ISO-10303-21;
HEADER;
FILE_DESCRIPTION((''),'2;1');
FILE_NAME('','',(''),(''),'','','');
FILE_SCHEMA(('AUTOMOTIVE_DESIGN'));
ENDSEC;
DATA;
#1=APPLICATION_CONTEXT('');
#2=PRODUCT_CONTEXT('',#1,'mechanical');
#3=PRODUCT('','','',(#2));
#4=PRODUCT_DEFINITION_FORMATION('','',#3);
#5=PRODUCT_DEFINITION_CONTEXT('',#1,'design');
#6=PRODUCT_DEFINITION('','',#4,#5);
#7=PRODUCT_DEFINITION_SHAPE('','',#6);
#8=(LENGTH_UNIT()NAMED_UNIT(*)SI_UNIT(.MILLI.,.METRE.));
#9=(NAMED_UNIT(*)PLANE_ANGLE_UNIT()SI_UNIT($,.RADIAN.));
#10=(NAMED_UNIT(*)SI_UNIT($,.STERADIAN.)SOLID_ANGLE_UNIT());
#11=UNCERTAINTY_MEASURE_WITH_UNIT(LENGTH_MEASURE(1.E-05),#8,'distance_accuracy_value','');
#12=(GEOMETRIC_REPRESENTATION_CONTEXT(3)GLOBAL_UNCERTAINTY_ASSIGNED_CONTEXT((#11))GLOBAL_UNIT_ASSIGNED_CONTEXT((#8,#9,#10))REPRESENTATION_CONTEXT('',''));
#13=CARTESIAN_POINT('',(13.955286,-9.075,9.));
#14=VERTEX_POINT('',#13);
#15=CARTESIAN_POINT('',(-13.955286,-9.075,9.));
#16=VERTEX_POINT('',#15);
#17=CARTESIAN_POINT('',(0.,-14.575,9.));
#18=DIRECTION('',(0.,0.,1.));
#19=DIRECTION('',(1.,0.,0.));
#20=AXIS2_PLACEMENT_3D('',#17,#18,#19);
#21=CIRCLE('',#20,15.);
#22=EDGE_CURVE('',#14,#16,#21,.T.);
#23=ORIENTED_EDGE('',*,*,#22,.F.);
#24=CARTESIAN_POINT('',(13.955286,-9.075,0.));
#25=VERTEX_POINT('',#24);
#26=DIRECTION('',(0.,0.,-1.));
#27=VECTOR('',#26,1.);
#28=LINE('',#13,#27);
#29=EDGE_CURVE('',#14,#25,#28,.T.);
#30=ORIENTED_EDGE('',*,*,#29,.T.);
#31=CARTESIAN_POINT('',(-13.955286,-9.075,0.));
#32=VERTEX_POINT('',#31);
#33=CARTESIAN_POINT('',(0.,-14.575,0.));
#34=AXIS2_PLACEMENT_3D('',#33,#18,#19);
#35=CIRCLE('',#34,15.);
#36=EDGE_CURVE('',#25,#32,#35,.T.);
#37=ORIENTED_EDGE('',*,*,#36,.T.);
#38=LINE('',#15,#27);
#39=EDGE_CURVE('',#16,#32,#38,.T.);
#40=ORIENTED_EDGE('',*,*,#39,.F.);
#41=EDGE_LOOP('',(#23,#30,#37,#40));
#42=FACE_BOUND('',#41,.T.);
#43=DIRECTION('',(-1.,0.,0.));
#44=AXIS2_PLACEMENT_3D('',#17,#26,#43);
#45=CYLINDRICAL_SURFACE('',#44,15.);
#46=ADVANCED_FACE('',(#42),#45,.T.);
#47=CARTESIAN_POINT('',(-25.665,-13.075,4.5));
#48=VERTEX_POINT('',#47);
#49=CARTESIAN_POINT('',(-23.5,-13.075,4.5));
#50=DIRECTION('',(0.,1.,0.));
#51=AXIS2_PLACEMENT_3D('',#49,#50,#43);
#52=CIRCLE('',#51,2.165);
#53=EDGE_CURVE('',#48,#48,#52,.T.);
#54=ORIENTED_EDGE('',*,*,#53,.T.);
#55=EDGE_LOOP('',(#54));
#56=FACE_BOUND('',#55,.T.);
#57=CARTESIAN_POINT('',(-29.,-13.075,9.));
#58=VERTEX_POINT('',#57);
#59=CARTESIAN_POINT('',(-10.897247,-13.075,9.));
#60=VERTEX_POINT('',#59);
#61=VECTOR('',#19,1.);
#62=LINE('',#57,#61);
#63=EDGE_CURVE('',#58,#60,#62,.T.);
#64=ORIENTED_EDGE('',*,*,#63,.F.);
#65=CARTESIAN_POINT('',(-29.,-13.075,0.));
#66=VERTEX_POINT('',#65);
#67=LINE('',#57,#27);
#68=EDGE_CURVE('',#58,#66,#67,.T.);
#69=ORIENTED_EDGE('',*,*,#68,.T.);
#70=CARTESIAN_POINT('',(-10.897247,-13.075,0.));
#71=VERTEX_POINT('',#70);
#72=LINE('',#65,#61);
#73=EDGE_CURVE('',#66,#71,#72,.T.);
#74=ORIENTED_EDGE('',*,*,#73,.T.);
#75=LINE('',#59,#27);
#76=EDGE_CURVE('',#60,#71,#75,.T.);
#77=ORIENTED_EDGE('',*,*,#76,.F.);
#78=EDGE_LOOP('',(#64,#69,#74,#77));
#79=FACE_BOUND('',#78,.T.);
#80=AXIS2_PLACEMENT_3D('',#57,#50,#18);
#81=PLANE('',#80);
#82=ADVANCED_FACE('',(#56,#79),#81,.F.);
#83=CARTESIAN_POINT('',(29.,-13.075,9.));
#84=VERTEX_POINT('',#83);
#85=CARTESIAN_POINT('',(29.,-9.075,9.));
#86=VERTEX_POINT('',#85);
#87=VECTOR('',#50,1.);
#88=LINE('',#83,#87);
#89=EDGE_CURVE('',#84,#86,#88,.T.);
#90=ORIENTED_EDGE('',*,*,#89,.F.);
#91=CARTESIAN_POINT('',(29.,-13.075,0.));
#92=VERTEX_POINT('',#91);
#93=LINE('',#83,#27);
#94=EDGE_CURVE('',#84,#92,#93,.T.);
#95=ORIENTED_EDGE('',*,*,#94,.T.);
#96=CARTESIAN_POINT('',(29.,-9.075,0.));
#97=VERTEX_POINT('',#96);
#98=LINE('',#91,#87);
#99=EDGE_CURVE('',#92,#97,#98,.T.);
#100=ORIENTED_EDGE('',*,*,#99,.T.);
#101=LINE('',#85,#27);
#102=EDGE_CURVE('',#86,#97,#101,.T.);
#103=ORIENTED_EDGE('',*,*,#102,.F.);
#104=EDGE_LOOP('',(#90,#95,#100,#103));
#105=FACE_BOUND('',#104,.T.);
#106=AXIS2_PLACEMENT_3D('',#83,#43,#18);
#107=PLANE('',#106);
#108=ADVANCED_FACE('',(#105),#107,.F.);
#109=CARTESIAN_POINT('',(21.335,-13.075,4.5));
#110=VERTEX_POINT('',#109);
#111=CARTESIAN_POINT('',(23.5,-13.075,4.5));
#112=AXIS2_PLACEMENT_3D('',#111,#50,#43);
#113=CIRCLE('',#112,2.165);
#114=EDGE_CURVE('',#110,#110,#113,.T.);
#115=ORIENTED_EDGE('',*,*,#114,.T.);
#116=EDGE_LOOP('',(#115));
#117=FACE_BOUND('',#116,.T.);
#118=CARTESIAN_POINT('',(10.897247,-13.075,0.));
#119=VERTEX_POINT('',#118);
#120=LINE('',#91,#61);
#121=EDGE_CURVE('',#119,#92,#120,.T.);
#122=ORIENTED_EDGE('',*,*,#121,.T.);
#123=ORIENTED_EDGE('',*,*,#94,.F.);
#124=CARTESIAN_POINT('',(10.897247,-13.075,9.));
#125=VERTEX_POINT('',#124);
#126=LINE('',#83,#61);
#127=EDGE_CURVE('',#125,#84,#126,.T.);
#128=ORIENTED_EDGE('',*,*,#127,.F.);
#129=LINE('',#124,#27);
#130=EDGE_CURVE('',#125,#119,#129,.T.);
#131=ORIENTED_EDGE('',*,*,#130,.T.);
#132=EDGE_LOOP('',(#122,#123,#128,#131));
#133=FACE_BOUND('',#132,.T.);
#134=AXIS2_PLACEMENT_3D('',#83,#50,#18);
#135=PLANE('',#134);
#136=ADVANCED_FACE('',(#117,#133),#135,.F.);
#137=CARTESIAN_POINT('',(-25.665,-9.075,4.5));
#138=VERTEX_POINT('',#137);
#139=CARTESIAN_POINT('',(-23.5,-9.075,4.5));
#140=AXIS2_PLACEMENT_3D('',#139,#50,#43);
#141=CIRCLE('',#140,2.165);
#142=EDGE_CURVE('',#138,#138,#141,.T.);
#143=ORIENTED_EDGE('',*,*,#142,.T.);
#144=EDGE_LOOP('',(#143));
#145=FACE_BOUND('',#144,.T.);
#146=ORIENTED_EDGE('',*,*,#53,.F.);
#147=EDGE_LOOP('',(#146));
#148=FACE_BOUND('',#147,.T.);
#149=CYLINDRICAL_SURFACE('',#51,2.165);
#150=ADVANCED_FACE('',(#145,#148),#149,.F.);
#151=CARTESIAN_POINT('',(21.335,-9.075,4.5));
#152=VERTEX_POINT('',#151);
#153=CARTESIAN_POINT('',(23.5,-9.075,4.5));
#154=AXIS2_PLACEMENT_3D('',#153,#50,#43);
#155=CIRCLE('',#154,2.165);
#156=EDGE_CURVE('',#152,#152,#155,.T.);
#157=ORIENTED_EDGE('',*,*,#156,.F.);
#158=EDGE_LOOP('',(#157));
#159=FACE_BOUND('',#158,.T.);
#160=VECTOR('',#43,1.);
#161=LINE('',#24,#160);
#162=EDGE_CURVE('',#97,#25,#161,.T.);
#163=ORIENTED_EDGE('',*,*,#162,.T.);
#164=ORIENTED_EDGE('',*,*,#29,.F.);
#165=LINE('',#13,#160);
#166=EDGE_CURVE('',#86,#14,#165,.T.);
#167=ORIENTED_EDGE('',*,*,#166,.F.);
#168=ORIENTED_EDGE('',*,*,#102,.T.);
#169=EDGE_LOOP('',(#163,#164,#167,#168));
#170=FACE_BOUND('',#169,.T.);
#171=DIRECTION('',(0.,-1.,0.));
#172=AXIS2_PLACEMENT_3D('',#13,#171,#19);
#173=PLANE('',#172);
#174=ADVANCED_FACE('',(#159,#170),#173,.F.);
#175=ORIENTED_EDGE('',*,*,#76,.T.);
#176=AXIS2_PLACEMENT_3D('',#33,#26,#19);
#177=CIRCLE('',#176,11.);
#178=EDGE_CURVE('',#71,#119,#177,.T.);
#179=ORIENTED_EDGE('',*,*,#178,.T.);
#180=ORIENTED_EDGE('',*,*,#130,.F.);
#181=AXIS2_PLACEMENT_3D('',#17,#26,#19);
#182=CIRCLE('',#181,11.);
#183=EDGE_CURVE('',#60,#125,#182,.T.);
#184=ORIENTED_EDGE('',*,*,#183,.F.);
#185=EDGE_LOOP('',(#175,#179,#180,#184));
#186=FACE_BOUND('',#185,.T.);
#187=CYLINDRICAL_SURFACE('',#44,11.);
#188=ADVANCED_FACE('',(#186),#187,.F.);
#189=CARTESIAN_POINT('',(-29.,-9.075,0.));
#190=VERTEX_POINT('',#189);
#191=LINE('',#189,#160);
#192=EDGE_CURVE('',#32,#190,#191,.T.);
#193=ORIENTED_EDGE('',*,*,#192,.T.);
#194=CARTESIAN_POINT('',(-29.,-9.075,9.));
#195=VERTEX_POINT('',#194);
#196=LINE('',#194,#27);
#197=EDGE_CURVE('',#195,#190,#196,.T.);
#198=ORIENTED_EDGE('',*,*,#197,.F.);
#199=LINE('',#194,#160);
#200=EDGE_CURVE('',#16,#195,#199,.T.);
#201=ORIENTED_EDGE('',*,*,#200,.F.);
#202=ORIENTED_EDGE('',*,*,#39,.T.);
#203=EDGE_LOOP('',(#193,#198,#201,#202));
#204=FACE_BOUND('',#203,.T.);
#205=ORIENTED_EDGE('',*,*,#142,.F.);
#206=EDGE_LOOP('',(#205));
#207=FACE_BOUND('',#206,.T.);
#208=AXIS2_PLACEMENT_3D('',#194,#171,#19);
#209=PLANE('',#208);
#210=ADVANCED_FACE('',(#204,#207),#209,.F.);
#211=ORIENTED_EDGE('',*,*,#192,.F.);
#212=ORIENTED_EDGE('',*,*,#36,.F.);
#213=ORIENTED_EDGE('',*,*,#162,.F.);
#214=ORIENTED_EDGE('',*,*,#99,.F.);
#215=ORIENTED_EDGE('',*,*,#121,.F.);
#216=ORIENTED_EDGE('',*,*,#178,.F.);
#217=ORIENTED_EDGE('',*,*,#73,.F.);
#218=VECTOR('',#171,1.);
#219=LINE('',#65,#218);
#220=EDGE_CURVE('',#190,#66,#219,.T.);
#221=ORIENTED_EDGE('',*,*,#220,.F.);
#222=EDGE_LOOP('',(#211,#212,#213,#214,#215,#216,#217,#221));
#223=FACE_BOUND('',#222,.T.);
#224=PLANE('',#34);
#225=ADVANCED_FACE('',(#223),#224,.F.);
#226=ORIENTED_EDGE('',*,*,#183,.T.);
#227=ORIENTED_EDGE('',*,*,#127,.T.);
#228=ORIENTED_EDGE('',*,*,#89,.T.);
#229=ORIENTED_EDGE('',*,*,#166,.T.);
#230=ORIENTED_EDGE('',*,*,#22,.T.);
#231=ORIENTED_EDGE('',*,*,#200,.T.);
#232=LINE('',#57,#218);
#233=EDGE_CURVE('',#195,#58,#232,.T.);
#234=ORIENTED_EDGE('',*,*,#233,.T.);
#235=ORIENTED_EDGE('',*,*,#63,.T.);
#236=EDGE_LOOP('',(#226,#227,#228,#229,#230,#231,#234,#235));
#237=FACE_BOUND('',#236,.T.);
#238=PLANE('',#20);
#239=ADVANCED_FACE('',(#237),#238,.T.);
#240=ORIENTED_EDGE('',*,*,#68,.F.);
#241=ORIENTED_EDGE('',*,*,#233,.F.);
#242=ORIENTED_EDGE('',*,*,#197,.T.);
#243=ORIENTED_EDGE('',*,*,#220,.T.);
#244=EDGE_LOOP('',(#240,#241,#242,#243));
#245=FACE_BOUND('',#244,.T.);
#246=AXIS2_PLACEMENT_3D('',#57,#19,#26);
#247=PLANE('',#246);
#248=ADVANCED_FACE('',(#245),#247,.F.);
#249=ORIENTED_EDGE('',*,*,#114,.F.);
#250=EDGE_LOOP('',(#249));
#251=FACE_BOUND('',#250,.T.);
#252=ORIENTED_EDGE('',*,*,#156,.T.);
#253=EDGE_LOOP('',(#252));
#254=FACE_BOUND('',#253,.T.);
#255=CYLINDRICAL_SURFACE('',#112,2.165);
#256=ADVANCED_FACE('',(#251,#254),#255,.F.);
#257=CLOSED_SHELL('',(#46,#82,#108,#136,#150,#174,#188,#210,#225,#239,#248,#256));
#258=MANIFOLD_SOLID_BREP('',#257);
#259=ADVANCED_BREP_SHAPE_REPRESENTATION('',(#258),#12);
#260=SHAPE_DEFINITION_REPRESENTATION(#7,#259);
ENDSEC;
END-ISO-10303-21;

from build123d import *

# Parameters (mm, degrees)
BOSS_EXTRUDE1_DEPTH = 9
SKETCH2_R           = 2.165
CUT_EXTRUDE1_DEPTH  = 32.81587654


with BuildPart() as part:
    # Sketch1 → Boss-Extrude1 (new body)
    with BuildSketch(Plane.XY):
        with BuildLine():
            Line((29, -13.075), (29, -9.075))
            Line((29, -9.075), (13.955285737, -9.075))
            ThreePointArc((13.955285737, -9.075), (0, 0.425), (-13.955285737, -9.075))
            Line((-13.955285737, -9.075), (-29, -9.075))
            Line((-29, -9.075), (-29, -13.075))
            Line((-29, -13.075), (-10.897247359, -13.075))
            ThreePointArc((-10.897247359, -13.075), (0, -3.575), (10.897247359, -13.075))
            Line((10.897247359, -13.075), (29, -13.075))
        make_face()
    extrude(amount=BOSS_EXTRUDE1_DEPTH)

    # Sketch2 → Cut-Extrude1 (cut, through all)
    with BuildSketch(Plane(origin=(0, -9.075, 0), x_dir=(1, 0, 0), z_dir=(0, 1, 0))):
        with Locations(Location((-23.50000005, -4.5, 0), (0, 0, 180))):
            Circle(SKETCH2_R)
        with Locations(Location((23.50000005, -4.5, 0), (0, 0, 180))):
            Circle(SKETCH2_R)
    extrude(amount=-CUT_EXTRUDE1_DEPTH, mode=Mode.SUBTRACT)


solid = part.part
